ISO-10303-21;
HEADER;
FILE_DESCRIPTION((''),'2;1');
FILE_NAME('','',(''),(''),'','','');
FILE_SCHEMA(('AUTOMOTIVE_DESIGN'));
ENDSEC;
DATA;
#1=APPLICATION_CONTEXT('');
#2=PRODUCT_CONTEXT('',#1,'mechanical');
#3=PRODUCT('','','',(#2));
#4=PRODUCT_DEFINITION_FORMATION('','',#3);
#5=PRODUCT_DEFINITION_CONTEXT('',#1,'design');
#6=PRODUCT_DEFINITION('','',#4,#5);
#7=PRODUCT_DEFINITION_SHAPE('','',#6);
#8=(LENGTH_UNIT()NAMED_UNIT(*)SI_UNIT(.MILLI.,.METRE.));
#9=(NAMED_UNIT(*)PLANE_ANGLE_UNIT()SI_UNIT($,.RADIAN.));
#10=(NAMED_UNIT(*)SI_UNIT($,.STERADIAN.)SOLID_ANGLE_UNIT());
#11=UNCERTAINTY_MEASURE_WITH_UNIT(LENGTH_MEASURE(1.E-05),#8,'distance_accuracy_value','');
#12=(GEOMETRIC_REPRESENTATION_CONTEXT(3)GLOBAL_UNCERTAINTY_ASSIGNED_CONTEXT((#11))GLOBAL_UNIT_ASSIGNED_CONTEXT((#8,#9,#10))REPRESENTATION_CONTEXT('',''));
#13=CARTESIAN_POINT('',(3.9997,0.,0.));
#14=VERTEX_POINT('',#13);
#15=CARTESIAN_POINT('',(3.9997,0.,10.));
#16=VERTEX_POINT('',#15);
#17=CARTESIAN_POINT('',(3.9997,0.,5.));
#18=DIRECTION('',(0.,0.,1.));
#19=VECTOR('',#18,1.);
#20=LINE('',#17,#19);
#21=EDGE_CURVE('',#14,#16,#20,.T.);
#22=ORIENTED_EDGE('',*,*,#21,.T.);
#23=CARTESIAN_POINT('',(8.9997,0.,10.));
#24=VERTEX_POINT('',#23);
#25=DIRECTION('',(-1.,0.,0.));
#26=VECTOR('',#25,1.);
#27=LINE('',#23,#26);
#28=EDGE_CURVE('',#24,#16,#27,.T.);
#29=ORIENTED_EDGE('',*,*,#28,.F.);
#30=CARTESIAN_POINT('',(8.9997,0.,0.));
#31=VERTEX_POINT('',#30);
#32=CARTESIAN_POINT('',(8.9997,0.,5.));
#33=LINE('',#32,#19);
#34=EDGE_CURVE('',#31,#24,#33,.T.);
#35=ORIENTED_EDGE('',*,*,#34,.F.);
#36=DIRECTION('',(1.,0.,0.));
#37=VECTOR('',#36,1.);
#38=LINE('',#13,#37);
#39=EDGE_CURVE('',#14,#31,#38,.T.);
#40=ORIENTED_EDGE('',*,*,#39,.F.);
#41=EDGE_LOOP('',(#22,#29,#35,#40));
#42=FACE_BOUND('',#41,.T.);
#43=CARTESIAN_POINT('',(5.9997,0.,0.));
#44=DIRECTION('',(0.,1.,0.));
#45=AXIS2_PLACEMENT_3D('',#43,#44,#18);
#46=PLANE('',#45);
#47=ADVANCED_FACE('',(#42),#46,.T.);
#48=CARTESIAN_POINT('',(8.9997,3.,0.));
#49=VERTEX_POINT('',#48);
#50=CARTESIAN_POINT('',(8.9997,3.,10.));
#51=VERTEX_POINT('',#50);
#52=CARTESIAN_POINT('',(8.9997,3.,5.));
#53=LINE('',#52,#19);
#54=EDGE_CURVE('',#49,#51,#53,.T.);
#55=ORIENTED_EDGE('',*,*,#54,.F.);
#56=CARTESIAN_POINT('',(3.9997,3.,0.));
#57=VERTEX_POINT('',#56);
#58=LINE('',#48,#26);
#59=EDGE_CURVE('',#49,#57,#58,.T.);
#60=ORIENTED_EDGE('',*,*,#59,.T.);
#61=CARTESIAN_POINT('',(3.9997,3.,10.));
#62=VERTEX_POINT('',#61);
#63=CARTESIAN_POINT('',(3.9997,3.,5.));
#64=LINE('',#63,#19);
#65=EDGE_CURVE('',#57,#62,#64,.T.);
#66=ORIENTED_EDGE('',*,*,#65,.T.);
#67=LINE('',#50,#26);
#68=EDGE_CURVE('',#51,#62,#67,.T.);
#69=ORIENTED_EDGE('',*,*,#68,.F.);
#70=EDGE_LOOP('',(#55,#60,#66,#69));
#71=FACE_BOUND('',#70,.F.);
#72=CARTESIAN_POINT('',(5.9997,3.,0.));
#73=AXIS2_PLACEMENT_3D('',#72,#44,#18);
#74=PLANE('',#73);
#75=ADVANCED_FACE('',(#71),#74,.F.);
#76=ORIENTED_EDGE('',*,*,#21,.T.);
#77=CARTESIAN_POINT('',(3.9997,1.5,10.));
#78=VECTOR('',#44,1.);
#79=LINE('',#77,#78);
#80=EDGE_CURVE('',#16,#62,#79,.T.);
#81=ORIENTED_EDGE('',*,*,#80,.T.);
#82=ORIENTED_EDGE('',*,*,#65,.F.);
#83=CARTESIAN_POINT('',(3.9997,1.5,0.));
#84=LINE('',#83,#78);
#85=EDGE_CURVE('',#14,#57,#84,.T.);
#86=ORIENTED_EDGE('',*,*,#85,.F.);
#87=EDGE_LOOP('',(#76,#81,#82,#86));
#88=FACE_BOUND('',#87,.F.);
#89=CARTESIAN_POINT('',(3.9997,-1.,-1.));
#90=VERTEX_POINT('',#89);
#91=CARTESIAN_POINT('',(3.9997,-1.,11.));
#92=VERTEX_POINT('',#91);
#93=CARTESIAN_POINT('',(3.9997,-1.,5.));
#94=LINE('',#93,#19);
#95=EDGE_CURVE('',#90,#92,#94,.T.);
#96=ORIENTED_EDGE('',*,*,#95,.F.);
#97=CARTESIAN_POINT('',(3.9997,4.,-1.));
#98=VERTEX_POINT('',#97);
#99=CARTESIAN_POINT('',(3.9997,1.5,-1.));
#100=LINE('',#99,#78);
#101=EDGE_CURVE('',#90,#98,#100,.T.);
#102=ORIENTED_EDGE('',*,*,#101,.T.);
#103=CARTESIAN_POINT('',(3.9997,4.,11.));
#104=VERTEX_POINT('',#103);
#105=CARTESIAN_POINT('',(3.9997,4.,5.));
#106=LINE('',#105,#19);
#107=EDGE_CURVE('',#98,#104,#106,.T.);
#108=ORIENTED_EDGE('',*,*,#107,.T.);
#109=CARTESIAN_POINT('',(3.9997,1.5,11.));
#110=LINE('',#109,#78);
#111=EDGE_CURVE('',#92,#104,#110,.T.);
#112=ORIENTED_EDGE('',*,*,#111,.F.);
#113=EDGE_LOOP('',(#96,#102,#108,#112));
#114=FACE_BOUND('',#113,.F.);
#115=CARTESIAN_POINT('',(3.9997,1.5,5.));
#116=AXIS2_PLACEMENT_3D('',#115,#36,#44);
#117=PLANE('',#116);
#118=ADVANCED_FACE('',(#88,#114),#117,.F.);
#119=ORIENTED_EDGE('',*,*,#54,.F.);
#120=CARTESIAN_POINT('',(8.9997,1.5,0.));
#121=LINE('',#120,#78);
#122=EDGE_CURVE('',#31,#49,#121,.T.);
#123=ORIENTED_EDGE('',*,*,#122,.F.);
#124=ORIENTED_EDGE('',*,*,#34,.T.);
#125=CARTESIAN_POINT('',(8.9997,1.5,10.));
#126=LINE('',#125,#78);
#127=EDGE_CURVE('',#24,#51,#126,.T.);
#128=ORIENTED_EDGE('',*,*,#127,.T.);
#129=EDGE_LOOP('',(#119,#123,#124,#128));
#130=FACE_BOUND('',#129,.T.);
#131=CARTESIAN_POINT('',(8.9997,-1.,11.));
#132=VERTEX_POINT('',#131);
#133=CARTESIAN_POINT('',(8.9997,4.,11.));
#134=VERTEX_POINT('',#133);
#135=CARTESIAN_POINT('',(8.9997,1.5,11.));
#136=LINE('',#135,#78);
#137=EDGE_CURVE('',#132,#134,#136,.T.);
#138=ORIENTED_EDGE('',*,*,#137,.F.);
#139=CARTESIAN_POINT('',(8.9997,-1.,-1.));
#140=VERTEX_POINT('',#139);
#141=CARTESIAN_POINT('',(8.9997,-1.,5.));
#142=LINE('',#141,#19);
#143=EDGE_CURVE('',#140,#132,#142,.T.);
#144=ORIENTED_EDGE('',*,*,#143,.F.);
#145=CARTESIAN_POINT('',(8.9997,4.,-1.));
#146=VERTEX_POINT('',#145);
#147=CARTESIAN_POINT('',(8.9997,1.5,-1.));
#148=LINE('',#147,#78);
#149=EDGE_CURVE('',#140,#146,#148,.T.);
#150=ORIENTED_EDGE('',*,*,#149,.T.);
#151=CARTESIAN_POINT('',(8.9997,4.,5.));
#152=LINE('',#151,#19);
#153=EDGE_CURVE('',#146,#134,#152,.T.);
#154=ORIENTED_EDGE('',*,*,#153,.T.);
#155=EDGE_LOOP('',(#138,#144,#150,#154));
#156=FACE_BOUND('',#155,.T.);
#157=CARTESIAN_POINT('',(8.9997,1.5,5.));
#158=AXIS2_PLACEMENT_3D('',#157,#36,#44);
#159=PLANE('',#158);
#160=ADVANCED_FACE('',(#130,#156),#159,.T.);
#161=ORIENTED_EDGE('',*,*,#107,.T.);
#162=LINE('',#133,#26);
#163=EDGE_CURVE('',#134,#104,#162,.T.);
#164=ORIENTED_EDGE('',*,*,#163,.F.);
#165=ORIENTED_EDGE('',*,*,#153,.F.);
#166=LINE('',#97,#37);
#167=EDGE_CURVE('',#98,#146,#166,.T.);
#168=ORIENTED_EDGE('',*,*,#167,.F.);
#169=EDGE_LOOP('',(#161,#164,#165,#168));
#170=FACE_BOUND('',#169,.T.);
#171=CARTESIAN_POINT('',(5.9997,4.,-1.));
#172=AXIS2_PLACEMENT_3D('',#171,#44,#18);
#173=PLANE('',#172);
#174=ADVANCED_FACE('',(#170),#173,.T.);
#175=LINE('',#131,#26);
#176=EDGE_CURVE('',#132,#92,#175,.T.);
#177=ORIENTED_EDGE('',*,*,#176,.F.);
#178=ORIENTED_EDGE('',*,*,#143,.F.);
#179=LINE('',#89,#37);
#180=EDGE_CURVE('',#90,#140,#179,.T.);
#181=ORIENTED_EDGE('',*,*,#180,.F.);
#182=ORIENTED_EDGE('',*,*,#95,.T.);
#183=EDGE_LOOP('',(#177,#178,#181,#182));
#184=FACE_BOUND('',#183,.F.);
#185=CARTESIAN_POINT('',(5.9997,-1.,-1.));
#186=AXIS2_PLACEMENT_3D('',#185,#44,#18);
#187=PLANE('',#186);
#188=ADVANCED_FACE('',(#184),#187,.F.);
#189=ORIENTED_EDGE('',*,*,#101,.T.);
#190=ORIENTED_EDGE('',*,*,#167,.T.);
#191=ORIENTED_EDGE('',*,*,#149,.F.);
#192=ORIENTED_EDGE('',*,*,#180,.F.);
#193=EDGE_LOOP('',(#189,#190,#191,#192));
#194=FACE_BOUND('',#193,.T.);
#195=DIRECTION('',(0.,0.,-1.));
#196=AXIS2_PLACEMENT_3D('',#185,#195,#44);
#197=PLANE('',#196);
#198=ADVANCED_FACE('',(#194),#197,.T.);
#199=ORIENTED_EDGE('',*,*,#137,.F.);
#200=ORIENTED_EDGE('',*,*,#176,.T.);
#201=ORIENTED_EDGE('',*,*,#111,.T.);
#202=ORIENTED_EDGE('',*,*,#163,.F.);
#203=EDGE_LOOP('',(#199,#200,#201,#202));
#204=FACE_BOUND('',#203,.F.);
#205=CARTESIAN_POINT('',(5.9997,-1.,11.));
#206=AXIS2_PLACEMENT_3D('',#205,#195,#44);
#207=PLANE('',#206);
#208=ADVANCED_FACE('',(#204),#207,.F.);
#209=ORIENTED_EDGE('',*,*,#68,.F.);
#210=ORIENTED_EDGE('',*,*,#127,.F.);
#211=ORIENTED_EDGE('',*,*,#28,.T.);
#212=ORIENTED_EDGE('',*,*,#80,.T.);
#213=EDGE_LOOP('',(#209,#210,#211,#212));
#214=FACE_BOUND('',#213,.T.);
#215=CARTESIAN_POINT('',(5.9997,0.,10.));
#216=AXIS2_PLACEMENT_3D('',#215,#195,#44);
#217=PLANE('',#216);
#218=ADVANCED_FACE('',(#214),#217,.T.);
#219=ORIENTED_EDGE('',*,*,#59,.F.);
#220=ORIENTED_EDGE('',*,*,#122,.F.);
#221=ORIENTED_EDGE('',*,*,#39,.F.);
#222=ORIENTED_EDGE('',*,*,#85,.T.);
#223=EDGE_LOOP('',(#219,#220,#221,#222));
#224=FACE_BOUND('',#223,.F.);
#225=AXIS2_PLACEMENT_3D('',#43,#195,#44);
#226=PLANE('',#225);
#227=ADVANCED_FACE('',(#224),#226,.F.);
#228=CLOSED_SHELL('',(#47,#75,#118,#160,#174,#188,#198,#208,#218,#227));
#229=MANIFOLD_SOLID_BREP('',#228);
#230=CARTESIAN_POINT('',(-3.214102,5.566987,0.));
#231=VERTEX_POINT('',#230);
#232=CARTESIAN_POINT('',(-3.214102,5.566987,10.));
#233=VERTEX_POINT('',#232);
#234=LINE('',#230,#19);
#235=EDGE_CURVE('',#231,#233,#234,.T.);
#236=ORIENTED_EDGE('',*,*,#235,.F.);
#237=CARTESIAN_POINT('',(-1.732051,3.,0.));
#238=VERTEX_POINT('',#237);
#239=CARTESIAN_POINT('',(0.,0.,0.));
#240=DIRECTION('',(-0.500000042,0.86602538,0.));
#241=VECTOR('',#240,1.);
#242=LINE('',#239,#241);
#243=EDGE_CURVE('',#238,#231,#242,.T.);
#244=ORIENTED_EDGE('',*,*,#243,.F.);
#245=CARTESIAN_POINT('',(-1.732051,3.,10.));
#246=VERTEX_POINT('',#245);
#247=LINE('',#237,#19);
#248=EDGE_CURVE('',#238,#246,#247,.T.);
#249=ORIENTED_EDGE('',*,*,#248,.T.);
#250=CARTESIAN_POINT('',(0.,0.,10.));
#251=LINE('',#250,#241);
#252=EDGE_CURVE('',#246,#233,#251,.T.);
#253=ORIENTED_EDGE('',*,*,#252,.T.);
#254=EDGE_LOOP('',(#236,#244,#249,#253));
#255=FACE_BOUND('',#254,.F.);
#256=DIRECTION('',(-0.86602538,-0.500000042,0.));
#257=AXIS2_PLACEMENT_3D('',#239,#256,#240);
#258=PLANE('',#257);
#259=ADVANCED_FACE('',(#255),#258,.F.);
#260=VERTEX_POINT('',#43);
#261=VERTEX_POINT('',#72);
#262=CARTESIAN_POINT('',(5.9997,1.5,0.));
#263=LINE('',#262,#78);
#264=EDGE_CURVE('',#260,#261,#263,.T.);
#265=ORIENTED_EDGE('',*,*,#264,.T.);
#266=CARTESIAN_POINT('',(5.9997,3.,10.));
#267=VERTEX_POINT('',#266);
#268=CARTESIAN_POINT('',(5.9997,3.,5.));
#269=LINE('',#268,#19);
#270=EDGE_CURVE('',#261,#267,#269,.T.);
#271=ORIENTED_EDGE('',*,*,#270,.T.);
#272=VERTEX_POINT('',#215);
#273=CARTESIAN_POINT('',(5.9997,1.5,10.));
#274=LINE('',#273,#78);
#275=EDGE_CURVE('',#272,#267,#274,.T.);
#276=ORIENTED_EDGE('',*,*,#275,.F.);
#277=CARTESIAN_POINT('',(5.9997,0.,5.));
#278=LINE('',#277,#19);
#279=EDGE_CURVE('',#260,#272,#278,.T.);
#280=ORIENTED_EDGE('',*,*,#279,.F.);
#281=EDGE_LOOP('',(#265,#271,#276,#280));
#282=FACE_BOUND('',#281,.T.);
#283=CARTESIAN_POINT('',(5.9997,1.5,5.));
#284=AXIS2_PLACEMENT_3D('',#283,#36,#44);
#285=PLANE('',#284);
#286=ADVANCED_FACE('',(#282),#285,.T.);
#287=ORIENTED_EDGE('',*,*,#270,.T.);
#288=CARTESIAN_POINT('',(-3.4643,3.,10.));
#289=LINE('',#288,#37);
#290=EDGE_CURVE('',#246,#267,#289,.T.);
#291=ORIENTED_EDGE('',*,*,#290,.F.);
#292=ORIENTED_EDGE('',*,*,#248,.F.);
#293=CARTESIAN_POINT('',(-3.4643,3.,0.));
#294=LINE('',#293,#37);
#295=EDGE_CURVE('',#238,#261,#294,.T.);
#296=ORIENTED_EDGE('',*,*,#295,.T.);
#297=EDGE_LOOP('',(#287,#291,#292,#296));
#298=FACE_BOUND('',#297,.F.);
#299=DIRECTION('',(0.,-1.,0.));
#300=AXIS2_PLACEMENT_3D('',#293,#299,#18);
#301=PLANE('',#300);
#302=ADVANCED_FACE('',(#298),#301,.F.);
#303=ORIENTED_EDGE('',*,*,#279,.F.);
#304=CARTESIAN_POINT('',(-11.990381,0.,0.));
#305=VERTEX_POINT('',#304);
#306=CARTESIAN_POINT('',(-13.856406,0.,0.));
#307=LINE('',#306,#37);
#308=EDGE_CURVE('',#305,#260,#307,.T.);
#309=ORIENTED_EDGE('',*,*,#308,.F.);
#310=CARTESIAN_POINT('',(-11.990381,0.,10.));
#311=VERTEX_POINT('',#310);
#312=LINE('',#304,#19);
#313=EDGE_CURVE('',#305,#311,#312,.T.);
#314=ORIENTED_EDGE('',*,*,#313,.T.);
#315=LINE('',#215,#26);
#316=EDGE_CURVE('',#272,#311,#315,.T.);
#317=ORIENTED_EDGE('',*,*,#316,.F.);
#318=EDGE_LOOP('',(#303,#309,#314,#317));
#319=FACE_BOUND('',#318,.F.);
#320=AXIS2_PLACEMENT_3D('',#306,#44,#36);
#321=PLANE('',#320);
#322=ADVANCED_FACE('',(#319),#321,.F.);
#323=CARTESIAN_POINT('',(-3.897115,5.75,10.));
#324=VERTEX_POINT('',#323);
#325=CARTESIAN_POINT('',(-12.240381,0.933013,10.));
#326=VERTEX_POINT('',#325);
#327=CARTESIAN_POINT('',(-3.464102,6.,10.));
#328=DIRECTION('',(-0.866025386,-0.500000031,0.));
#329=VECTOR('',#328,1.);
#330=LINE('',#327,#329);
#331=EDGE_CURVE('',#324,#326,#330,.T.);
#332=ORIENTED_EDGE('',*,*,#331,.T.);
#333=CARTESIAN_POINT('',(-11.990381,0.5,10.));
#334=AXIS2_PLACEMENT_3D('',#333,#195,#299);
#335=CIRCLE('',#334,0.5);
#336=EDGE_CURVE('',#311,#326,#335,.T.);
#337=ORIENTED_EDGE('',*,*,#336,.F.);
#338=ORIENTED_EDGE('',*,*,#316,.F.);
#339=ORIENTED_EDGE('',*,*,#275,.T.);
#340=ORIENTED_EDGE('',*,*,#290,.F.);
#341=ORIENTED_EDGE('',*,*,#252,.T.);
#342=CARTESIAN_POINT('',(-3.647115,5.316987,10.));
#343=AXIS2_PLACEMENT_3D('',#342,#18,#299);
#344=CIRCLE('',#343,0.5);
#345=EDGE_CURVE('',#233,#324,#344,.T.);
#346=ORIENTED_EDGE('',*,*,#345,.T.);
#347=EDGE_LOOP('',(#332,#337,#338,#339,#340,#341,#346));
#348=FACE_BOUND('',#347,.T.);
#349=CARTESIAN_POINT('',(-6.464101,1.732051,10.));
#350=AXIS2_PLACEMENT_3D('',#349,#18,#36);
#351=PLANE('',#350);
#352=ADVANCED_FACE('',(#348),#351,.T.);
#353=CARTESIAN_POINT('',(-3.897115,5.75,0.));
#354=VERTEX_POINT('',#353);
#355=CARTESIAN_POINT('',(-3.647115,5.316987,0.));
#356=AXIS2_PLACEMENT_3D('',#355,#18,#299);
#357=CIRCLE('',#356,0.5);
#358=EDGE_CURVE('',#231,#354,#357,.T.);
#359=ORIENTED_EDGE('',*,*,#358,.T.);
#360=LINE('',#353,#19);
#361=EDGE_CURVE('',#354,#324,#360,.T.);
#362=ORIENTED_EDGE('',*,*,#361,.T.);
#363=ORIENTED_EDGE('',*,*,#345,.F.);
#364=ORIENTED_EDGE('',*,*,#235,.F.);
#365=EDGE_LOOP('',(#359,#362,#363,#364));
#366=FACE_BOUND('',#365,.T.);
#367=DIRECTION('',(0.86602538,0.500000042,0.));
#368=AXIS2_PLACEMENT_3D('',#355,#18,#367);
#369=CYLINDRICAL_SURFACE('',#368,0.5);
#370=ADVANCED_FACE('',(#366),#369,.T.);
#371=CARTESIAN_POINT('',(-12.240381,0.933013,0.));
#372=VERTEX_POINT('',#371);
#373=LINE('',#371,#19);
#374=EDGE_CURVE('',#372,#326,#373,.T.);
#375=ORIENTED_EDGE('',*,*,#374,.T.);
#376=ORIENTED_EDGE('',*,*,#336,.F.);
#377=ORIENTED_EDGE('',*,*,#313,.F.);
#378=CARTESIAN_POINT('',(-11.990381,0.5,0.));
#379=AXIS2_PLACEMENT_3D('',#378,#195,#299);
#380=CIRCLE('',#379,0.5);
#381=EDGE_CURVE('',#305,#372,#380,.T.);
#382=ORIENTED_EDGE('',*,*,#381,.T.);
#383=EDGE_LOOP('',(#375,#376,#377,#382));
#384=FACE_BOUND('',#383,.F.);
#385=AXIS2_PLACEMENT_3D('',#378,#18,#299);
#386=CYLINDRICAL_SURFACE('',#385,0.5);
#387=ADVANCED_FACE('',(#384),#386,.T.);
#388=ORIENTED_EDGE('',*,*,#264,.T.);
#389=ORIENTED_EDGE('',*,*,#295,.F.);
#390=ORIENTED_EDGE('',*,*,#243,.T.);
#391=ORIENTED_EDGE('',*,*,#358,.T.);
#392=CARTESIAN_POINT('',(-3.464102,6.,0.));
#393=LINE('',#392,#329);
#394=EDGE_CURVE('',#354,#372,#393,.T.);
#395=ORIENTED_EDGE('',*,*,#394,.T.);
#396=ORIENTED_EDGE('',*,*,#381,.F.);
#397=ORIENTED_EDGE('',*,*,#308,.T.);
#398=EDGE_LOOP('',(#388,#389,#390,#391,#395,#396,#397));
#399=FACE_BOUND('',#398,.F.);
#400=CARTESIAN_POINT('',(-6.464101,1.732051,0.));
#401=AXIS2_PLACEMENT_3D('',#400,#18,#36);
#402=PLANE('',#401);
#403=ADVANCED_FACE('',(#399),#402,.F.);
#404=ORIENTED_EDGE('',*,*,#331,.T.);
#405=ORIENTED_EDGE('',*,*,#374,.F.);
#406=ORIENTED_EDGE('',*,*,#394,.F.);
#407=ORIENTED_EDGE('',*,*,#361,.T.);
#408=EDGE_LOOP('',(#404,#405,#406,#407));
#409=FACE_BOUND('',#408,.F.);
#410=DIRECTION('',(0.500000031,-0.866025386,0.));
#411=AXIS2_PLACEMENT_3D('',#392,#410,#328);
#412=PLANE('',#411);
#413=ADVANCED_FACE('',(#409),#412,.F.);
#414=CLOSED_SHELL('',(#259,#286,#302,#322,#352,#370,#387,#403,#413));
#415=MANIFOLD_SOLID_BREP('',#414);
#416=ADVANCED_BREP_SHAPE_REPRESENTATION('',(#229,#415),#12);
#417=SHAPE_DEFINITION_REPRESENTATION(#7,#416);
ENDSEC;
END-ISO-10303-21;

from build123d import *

# Parameters (mm, degrees)
F1_DEPTH      = 10
F3_W          = 3
F3_H          = 10
F4_DEPTH      = 9.464
F5_W          = 5
F5_H          = 12
F5_W_2        = 3
F5_H_2        = 10
F6_DEPTH      = 3
F6_DEPTH_BACK = 2
F7_R          = 0.5


with BuildPart() as f1:
    # F0 (on Top) → F1 (new body)
    with BuildSketch(Plane.XY):
        Polygon((-13.856406, 0), (0, 0), (-3.464102, 6), align=None)
    extrude(amount=F1_DEPTH)

    # F3 (on offset) → F4 (join)
    with BuildSketch(Plane.YZ.offset(-3.4643)):
        with Locations((1.5, 5)):
            Rectangle(F3_W, F3_H)
    extrude(amount=F4_DEPTH)

    # F7
    f7_edges = [f1.edges().sort_by_distance(p)[0] for p in [
        (-13.856406, 0, 5),
        (-3.464102, 6, 5),
    ]]
    fillet(f7_edges, radius=F7_R)


with BuildPart() as f6:
    # F5 (on face) → F6 (new body, two sides)
    with BuildSketch(Plane.YZ.offset(5.9997)) as f6_sk:
        with Locations((1.5, 5)):
            Rectangle(F5_W, F5_H)
        with Locations((1.5, 5)):
            Rectangle(F5_W_2, F5_H_2, mode=Mode.SUBTRACT)
    extrude(amount=F6_DEPTH)
    extrude(f6_sk.sketch, amount=-F6_DEPTH_BACK)


solid = Compound([f1.part, f6.part])
